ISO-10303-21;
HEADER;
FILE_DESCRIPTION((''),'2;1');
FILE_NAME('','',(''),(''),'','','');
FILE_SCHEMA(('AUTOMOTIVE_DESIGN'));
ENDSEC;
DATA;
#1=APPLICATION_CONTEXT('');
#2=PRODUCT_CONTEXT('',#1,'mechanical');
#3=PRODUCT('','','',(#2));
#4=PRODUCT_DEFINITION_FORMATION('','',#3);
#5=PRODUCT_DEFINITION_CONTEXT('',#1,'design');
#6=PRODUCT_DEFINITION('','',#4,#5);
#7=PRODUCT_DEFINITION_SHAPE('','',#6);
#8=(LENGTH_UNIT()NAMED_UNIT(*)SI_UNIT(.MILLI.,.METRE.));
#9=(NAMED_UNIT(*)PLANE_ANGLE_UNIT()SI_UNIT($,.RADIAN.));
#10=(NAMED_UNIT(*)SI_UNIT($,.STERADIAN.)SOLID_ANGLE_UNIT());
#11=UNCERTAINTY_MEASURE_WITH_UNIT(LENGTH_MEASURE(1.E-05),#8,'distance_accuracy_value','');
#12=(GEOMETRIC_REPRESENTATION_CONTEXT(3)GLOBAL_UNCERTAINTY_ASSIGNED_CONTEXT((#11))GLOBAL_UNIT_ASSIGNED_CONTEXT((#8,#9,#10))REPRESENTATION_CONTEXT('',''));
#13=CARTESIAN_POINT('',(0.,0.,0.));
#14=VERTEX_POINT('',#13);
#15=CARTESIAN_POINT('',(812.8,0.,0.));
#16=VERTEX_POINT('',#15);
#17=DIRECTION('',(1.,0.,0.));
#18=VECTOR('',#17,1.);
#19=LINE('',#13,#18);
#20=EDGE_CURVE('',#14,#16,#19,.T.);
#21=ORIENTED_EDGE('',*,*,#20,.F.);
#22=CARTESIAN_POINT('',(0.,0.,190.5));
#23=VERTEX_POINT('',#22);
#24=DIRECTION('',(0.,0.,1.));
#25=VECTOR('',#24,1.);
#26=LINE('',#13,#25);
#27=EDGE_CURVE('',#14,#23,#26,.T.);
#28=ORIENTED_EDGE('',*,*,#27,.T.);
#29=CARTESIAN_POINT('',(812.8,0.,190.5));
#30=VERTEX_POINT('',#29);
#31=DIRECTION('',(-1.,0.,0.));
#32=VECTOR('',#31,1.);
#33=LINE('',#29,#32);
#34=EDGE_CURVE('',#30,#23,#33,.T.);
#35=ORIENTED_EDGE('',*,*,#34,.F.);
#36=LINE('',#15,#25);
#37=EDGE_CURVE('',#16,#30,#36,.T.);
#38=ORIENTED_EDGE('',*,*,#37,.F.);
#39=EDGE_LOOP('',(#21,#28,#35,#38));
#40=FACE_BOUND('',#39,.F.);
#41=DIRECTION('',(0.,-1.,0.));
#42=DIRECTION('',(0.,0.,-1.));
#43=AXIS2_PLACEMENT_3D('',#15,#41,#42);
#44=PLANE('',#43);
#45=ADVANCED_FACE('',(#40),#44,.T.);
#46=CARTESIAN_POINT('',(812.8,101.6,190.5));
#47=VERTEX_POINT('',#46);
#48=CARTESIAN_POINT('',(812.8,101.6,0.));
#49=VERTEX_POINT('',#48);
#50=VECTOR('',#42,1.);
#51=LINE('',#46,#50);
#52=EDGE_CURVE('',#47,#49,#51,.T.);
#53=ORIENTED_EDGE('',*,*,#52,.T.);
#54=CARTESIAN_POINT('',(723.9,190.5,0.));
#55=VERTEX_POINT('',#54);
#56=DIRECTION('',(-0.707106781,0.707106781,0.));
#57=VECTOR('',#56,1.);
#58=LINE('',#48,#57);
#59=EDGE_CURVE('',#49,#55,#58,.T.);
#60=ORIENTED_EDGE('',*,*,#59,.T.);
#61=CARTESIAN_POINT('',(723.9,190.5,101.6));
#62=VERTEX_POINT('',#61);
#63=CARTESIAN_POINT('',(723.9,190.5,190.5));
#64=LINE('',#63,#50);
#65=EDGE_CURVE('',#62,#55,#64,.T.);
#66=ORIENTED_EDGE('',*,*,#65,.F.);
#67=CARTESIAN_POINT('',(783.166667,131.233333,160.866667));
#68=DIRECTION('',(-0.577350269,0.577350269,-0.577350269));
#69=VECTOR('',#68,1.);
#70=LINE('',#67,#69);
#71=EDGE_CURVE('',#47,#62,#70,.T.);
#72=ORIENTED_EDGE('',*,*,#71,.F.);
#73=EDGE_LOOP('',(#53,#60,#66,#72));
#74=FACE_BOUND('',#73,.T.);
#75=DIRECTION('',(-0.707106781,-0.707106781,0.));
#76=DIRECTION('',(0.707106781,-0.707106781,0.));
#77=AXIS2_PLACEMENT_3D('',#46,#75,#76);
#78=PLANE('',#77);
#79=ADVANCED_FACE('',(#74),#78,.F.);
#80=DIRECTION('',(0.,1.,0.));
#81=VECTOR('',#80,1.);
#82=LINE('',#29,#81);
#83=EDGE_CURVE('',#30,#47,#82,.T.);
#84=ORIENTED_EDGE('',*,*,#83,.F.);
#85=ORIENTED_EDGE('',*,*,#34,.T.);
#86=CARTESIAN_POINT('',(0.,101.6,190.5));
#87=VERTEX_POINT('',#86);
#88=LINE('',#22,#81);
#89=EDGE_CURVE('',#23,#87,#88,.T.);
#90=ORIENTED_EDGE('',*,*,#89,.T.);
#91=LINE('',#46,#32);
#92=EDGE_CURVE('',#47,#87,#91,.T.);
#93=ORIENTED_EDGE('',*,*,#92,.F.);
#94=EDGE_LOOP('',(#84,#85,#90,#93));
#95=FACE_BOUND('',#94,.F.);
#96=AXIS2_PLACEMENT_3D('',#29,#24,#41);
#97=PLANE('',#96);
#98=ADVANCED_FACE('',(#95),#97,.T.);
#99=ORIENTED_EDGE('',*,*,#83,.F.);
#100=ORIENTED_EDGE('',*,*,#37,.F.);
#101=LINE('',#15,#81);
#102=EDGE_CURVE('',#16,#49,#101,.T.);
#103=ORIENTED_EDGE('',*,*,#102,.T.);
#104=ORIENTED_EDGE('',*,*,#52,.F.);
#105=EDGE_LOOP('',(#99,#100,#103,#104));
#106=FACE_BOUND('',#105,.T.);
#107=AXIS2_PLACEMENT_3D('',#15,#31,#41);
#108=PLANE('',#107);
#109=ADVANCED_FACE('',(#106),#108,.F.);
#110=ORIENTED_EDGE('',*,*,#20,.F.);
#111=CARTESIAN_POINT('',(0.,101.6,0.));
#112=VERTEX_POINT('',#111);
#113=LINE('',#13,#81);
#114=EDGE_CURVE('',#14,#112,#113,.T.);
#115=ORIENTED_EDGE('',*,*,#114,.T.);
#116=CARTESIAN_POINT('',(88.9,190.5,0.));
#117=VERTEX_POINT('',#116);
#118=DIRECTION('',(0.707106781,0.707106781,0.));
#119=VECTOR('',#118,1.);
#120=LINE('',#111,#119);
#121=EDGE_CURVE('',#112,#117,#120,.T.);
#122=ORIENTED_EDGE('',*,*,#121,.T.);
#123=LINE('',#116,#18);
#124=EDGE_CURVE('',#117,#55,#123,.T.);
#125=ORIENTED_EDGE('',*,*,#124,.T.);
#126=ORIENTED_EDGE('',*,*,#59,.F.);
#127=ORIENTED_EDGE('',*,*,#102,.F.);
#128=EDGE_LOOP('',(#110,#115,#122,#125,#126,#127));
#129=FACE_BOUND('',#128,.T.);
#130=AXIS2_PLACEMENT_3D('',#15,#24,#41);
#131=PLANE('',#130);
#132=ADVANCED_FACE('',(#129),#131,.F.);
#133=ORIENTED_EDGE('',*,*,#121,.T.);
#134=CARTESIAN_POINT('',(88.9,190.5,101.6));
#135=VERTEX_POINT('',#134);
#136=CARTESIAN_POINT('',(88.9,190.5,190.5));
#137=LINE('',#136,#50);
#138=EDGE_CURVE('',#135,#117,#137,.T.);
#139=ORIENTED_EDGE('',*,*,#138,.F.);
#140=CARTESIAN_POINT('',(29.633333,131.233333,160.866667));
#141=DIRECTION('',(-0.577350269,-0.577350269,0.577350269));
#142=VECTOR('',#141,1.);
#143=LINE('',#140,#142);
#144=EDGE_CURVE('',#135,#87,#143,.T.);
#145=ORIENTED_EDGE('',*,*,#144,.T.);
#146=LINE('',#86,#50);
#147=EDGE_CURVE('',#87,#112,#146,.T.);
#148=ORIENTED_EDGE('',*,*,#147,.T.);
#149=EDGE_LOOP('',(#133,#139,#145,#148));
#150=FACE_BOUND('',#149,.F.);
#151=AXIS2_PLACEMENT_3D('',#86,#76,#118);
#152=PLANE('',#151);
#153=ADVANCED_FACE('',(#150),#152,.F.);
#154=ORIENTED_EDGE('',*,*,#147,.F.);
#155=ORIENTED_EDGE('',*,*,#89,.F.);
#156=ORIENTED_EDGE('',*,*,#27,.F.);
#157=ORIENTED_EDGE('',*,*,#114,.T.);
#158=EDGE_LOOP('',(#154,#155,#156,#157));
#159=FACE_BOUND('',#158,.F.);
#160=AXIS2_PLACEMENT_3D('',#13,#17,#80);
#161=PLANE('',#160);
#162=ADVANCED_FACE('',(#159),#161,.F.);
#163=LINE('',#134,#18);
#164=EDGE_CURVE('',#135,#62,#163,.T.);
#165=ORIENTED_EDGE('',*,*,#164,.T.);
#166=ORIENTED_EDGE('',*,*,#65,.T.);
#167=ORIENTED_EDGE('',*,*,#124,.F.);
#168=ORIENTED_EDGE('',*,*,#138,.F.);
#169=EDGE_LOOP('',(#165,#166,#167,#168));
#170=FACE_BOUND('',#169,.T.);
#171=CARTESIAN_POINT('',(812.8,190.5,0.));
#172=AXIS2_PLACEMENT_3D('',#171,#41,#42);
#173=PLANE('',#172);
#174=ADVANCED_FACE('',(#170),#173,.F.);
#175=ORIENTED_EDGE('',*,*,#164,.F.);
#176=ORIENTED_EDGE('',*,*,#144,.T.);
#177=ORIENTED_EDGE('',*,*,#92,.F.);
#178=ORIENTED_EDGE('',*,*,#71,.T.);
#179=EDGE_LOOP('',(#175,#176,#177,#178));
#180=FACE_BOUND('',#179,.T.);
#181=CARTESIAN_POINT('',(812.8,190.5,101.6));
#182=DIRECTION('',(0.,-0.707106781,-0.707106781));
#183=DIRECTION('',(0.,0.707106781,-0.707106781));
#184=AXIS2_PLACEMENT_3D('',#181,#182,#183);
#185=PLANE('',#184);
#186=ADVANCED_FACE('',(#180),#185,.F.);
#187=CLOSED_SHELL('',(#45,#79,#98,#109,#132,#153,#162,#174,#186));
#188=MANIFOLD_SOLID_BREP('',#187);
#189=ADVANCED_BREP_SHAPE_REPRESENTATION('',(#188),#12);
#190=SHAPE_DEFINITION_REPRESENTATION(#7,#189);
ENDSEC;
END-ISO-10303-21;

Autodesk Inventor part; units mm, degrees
ref_plane "YZ Plane" through (0, 0, 0) normal (1, 0, 0) x (0, 1, 0)
ref_plane "XZ Plane" through (0, 0, 0) normal (0, 1, 0) x (-1, 0, 0)
ref_plane "XY Plane" through (0, 0, 0) normal (0, 0, 1) x (1, 0, 0)
sketch "Sketch1" plane through (0, 0, 0) normal (1, 0, 0) x (0, 1, 0)
  line L0 (0, 0) -> (190.5, 0)
  line L1 (0, 0) -> (0, 190.5)
  line L2 (0, 190.5) -> (101.6, 190.5)
  line L3 (190.5, 0) -> (190.5, 101.6)
  line L4 (190.5, 101.6) -> (101.6, 190.5)
  dimension "d0" = 190.5
  dimension "d1" = 190.5
  dimension "d2" = 101.6
  dimension "d3" = 101.6
  dimension "d4" = 88.9
  dimension "d5" = 88.9
extrude "Extrusion1" add sketch "Sketch1" along normal blind 406.4
sketch "Sketch2" plane through (0, 0, 190.5) normal (0, 0, 1) x (1, 0, 0)
  line L0 (0, 0) -> (0, 190.5) projected
  line L1 (0, 190.5) -> (88.9, 190.5)
  line L2 (0, 190.5) -> (406.4, 190.5) projected
  line L3 (0, 190.5) -> (0, 101.6)
  line L4 (0, 101.6) -> (88.9, 190.5)
  dimension "d8" = 88.9
  dimension "d9" = 88.9
extrude "Extrusion2" cut sketch "Sketch2" against normal up to surface (190.5 mm away)
mirror "Mirror1" about plane through (406.4, 95.25, 95.25) normal (1, 0, 0) of "Extrusion1", "Extrusion2"
properties part number "Return_L" material "Limestone"
